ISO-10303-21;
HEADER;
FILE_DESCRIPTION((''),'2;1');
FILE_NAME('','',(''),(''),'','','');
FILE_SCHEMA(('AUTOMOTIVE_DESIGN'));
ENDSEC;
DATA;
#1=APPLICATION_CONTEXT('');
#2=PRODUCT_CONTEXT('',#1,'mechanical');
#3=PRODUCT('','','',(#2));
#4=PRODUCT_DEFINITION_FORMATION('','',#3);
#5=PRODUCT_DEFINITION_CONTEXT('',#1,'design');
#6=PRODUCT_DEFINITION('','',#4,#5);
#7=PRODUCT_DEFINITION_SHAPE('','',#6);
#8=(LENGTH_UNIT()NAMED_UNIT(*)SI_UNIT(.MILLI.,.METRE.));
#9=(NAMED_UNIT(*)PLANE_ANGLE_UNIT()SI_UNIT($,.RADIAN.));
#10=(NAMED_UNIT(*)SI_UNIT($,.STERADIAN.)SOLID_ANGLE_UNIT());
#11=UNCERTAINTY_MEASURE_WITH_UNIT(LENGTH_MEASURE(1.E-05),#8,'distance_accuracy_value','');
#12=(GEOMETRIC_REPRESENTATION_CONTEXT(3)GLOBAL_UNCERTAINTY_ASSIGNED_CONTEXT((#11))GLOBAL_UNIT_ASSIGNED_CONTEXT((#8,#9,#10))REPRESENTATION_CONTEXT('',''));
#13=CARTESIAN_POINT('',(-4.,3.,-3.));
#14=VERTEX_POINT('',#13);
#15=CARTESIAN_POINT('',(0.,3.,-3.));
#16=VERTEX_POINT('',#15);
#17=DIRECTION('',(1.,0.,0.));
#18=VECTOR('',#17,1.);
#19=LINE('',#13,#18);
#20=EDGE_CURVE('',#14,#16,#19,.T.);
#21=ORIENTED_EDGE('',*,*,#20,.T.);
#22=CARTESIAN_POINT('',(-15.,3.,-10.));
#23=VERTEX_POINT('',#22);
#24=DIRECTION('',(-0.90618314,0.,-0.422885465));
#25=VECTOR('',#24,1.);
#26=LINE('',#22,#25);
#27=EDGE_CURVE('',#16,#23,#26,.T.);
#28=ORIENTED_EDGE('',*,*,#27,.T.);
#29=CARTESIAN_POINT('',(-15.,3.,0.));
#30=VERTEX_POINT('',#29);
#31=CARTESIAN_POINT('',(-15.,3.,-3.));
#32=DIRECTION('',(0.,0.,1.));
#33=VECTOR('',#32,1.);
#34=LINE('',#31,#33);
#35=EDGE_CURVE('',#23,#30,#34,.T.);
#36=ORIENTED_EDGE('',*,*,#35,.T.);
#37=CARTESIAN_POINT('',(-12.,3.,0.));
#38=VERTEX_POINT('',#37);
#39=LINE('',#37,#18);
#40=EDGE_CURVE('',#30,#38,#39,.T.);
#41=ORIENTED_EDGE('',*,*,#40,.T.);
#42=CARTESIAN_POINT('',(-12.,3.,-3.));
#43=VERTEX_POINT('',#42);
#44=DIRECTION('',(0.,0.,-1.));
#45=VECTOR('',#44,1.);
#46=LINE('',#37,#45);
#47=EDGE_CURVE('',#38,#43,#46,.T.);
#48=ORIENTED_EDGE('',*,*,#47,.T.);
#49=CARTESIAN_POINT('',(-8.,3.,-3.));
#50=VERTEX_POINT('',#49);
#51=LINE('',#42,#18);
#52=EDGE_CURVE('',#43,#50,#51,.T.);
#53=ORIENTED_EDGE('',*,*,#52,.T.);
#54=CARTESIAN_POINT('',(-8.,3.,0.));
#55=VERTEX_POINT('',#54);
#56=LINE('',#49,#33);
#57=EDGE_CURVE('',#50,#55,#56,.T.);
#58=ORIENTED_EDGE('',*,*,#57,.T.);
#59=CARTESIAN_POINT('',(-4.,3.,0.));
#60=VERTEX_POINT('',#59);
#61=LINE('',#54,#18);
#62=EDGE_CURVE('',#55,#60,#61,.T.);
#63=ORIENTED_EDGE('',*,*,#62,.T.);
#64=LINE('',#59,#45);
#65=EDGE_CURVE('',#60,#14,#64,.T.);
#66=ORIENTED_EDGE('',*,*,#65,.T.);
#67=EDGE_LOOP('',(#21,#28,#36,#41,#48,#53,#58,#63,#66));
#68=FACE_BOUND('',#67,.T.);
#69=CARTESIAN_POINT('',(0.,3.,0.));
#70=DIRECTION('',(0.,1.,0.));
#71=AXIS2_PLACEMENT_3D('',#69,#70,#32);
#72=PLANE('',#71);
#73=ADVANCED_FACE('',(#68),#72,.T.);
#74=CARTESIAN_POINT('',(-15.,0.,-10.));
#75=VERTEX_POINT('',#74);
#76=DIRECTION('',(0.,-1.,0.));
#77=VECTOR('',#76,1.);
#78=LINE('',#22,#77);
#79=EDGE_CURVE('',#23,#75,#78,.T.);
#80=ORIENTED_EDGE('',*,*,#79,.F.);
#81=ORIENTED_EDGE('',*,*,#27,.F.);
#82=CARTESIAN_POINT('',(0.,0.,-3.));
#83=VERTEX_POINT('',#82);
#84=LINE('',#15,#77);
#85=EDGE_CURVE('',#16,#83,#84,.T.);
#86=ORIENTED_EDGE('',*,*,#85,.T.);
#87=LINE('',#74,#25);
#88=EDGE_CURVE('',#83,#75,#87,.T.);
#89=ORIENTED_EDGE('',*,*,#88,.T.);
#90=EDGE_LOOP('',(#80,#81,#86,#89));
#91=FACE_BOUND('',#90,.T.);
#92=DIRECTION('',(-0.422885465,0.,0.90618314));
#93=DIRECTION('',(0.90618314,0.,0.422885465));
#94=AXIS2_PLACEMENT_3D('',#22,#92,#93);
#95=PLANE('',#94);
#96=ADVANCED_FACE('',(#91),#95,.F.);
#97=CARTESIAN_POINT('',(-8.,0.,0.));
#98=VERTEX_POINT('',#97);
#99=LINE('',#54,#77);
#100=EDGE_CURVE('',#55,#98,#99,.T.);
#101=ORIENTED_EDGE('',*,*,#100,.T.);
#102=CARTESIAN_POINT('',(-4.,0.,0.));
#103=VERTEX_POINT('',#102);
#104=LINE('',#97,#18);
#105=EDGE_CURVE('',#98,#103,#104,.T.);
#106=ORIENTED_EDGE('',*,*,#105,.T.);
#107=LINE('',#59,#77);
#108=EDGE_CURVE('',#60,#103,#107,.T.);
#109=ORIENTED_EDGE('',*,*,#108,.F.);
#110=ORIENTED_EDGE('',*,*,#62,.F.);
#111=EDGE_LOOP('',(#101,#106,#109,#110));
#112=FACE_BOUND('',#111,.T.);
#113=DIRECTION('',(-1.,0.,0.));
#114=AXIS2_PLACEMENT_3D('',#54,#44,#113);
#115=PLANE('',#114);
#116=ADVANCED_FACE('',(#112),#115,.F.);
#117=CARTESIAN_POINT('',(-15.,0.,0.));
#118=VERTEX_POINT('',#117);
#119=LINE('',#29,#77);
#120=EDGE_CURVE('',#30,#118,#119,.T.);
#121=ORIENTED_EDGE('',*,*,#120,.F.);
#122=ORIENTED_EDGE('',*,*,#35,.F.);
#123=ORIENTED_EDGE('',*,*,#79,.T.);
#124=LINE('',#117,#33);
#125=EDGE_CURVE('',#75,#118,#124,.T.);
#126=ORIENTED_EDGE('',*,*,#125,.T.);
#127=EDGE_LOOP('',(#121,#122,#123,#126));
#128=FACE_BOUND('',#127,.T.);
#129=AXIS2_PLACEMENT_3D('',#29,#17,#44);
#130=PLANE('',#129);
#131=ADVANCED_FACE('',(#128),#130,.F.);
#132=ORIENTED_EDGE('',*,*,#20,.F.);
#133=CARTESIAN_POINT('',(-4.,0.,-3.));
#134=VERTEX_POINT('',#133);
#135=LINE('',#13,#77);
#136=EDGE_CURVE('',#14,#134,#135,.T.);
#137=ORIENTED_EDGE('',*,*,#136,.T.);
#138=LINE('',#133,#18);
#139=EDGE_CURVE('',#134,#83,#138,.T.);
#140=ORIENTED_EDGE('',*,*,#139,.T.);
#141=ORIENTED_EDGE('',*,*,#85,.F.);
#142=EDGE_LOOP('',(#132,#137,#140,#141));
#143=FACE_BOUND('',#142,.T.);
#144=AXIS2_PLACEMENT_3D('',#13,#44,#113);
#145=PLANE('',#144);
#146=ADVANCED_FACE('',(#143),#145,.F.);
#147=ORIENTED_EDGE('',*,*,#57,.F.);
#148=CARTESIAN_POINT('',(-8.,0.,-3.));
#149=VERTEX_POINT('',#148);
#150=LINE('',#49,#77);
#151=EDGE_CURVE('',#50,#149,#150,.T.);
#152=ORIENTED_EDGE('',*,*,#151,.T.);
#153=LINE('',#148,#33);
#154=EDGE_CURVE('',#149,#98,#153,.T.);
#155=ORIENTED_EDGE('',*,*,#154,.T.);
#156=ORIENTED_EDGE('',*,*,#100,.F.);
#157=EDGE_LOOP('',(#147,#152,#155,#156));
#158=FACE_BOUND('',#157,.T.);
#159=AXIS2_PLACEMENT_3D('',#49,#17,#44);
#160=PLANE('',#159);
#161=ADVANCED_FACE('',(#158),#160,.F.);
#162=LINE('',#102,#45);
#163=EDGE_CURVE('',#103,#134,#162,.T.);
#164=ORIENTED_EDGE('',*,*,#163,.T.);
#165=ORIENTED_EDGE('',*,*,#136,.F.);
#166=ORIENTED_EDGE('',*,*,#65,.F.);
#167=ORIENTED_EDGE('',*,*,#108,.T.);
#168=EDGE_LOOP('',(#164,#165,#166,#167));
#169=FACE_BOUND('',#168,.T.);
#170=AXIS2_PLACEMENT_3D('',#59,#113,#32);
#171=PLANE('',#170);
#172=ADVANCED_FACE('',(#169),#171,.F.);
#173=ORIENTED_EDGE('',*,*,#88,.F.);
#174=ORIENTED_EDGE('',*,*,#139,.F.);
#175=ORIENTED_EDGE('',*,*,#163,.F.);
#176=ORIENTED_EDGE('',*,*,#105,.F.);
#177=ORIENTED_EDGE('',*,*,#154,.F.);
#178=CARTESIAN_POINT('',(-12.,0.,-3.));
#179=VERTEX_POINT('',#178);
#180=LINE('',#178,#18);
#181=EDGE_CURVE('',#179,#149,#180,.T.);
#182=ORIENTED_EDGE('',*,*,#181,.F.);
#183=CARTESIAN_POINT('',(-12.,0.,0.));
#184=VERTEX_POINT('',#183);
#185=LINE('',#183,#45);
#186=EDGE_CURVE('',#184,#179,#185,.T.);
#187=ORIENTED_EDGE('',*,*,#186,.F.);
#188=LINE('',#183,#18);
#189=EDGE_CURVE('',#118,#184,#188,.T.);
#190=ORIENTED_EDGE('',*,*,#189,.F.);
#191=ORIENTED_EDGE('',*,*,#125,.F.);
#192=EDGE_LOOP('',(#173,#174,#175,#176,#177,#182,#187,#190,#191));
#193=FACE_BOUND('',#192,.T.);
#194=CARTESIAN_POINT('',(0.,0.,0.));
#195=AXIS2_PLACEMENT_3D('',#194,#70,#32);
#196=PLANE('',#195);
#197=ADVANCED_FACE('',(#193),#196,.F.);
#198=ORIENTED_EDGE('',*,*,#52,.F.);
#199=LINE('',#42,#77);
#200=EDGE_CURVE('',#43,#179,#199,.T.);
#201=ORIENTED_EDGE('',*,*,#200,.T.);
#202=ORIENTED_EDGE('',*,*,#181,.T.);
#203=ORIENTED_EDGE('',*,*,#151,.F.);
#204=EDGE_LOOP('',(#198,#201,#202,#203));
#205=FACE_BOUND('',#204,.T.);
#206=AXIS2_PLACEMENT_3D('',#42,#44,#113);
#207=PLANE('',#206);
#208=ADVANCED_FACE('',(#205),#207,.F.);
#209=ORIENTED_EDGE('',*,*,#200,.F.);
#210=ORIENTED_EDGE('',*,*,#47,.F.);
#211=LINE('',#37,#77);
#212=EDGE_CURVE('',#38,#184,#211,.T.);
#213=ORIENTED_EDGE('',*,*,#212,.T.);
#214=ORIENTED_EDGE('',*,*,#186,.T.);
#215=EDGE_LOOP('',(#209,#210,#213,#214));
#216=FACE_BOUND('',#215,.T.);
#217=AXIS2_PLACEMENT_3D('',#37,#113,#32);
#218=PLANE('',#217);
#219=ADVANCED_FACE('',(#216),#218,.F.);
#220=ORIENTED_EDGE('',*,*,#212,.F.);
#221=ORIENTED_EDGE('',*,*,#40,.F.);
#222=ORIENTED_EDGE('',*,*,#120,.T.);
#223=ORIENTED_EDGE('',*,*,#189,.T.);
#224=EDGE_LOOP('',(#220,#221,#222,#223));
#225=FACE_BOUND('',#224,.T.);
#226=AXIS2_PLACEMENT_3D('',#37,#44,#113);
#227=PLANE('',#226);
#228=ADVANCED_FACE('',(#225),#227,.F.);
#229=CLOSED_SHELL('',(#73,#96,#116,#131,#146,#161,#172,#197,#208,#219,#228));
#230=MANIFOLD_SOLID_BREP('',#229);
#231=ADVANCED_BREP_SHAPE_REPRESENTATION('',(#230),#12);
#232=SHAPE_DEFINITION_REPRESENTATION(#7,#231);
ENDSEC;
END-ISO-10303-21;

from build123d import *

# Parameters (mm, degrees)
BOSS_EXTRUDE1_DEPTH = 3


with BuildPart() as part:
    # Sketch1 → Boss-Extrude1 (new body)
    with BuildSketch(Plane(origin=(0, 0, 0), x_dir=(1, 0, 0), z_dir=(0, 1, 0))):
        Polygon((-4, 0), (-4, 3), (0, 3), (-15, 10), (-15, 3), (-15, 0), (-12, 0), (-12, 3), (-8, 3), (-8, 0), align=None)
    extrude(amount=BOSS_EXTRUDE1_DEPTH)


solid = part.part
